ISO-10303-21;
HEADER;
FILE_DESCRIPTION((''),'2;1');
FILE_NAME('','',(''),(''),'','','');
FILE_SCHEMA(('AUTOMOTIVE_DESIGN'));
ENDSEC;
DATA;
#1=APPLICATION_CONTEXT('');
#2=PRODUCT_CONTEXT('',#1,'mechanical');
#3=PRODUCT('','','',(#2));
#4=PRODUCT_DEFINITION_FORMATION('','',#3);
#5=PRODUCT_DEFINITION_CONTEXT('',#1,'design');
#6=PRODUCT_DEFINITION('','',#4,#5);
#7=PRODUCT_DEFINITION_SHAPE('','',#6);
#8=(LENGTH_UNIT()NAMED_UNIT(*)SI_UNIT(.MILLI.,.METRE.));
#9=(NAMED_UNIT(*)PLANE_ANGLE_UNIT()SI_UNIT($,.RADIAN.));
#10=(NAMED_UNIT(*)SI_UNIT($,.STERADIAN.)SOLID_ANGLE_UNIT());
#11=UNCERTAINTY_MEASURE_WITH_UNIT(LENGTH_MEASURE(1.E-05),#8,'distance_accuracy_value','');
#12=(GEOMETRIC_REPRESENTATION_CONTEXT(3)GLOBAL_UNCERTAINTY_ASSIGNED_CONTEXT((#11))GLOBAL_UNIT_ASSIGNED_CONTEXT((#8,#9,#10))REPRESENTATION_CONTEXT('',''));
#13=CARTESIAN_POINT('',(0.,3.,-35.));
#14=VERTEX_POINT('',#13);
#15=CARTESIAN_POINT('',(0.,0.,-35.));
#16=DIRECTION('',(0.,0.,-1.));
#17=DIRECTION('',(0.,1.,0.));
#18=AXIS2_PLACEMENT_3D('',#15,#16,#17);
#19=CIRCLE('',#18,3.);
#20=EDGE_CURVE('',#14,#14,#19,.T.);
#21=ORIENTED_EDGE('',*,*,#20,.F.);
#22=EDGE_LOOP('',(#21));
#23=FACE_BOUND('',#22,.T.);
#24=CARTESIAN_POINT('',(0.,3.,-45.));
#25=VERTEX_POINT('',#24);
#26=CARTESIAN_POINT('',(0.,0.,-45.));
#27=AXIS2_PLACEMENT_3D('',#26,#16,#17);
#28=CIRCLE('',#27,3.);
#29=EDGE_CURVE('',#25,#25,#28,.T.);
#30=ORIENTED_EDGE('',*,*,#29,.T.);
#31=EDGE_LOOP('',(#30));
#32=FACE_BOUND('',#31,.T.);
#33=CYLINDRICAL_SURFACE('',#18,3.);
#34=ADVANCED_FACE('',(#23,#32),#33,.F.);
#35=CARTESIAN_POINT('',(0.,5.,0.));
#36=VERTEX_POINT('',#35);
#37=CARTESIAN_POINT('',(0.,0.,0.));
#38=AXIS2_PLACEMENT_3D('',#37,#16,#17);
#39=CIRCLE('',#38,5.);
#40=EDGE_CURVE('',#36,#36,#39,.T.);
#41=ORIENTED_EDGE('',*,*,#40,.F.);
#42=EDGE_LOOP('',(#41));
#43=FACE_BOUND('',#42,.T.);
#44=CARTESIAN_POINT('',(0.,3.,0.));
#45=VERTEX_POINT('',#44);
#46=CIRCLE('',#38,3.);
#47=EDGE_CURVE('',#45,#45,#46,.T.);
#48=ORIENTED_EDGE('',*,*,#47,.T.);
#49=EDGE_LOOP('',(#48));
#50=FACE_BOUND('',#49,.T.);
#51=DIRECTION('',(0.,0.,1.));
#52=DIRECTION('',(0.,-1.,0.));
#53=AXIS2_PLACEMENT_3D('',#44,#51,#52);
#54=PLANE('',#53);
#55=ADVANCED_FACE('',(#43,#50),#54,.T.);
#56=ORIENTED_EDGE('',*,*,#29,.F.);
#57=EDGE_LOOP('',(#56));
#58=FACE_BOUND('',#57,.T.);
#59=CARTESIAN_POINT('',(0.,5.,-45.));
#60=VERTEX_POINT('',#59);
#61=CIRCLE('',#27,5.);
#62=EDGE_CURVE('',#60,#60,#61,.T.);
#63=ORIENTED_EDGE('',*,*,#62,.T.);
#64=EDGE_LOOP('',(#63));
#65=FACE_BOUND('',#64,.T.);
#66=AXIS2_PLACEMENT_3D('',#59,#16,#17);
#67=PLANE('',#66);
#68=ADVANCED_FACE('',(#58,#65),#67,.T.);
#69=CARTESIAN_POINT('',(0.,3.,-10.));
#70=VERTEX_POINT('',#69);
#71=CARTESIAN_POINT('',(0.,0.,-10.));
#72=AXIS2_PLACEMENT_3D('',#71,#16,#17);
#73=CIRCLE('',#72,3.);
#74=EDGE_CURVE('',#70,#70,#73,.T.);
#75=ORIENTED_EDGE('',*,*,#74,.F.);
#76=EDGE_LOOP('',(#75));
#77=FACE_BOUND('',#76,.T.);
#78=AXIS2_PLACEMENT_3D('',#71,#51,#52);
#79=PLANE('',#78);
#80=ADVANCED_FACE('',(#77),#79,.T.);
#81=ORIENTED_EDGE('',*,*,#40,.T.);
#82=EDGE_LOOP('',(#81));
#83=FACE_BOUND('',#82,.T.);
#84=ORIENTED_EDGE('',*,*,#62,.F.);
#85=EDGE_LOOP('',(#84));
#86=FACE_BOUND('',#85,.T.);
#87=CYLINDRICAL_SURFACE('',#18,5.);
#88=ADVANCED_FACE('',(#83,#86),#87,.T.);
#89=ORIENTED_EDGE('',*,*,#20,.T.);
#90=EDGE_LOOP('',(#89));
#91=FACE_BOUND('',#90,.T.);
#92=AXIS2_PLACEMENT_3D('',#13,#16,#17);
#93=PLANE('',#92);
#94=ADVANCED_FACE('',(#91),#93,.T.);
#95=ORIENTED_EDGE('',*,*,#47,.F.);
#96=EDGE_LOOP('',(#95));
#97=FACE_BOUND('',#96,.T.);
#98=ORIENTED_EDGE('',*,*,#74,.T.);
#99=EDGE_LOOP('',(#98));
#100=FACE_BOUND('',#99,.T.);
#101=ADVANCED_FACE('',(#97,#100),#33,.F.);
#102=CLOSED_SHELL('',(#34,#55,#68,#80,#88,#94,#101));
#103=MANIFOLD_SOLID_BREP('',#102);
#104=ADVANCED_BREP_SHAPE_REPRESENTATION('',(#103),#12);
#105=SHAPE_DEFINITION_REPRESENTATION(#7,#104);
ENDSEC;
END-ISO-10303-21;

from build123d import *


with BuildPart() as part:
    # Sketch1 → Revolve1 (revolve)
    with BuildSketch(Plane(origin=(0, 0, 0), x_dir=(0, 0, -1), z_dir=(1, 0, 0))):
        Polygon((10, 0), (10, 3), (0, 3), (0, 5), (45, 5), (45, 3), (35, 3), (35, 0), align=None)
    revolve(axis=Axis((0, 0, -35), (0, 0, 1)))


solid = part.part
